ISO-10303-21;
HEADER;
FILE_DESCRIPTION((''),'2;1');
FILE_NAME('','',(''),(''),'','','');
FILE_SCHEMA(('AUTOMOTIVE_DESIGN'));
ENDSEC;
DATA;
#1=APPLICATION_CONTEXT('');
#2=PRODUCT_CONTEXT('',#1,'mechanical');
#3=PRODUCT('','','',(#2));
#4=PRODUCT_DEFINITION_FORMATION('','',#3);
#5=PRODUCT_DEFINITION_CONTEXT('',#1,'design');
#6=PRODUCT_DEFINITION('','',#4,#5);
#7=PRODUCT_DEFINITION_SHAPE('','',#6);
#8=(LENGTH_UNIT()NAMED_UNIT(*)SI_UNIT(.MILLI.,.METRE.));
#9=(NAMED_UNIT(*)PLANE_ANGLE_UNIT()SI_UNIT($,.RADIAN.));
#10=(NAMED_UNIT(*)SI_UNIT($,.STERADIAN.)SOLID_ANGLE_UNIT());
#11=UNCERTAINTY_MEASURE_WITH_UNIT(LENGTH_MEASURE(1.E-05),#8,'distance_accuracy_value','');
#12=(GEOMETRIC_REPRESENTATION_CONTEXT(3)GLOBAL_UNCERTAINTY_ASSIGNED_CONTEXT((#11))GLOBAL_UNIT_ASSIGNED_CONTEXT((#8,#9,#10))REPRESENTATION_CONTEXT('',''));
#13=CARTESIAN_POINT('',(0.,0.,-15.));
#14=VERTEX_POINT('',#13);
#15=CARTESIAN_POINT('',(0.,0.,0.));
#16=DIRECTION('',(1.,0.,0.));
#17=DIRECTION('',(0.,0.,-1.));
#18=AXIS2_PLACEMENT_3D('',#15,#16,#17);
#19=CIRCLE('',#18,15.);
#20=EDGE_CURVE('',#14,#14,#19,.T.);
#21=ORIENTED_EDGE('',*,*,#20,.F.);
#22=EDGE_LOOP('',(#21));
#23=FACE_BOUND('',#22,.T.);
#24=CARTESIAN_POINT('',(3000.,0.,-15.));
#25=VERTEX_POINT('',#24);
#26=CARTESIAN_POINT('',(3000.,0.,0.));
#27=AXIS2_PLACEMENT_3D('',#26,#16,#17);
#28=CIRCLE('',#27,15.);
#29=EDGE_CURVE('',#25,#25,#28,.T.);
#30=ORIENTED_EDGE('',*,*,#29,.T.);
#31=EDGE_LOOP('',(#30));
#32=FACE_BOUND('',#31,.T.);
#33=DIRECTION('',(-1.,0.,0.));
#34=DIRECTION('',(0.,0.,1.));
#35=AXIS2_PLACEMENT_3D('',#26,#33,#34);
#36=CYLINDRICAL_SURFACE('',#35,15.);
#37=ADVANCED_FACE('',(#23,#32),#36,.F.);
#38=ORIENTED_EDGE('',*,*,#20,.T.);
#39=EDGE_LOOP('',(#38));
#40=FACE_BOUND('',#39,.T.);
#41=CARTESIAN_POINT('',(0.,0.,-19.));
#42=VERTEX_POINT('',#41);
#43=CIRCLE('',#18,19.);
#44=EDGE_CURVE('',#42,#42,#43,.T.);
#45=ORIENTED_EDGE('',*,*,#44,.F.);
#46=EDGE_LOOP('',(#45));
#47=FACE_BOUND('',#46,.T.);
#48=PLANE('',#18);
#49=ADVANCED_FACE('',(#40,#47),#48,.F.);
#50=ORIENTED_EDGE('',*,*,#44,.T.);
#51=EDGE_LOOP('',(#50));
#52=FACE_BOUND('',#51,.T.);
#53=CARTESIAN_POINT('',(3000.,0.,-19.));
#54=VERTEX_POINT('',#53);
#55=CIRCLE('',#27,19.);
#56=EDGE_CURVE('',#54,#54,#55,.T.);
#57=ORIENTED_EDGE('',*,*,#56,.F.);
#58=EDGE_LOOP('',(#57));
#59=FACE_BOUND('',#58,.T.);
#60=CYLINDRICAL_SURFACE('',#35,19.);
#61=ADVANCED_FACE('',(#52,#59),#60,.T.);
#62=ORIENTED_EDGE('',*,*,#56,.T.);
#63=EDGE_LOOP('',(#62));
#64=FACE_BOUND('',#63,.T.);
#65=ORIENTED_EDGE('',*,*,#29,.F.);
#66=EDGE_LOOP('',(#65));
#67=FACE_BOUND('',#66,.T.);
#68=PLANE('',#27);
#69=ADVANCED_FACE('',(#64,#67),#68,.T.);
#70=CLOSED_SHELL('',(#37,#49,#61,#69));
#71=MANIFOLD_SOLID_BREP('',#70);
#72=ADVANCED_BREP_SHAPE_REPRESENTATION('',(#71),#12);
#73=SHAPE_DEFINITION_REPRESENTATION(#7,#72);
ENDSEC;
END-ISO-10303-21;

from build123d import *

# Parameters (mm, degrees)
CROQUIS1_R              = 19
CROQUIS1_R_2            = 15
SALIENTE_EXTRUIR1_DEPTH = 3000


with BuildPart() as part:
    # Croquis1 → Saliente-Extruir1 (new body)
    with BuildSketch(Plane(origin=(0, 0, 0), x_dir=(0, 0, -1), z_dir=(1, 0, 0))):
        Circle(CROQUIS1_R)
        Circle(CROQUIS1_R_2, mode=Mode.SUBTRACT)
    extrude(amount=SALIENTE_EXTRUIR1_DEPTH)


solid = part.part
